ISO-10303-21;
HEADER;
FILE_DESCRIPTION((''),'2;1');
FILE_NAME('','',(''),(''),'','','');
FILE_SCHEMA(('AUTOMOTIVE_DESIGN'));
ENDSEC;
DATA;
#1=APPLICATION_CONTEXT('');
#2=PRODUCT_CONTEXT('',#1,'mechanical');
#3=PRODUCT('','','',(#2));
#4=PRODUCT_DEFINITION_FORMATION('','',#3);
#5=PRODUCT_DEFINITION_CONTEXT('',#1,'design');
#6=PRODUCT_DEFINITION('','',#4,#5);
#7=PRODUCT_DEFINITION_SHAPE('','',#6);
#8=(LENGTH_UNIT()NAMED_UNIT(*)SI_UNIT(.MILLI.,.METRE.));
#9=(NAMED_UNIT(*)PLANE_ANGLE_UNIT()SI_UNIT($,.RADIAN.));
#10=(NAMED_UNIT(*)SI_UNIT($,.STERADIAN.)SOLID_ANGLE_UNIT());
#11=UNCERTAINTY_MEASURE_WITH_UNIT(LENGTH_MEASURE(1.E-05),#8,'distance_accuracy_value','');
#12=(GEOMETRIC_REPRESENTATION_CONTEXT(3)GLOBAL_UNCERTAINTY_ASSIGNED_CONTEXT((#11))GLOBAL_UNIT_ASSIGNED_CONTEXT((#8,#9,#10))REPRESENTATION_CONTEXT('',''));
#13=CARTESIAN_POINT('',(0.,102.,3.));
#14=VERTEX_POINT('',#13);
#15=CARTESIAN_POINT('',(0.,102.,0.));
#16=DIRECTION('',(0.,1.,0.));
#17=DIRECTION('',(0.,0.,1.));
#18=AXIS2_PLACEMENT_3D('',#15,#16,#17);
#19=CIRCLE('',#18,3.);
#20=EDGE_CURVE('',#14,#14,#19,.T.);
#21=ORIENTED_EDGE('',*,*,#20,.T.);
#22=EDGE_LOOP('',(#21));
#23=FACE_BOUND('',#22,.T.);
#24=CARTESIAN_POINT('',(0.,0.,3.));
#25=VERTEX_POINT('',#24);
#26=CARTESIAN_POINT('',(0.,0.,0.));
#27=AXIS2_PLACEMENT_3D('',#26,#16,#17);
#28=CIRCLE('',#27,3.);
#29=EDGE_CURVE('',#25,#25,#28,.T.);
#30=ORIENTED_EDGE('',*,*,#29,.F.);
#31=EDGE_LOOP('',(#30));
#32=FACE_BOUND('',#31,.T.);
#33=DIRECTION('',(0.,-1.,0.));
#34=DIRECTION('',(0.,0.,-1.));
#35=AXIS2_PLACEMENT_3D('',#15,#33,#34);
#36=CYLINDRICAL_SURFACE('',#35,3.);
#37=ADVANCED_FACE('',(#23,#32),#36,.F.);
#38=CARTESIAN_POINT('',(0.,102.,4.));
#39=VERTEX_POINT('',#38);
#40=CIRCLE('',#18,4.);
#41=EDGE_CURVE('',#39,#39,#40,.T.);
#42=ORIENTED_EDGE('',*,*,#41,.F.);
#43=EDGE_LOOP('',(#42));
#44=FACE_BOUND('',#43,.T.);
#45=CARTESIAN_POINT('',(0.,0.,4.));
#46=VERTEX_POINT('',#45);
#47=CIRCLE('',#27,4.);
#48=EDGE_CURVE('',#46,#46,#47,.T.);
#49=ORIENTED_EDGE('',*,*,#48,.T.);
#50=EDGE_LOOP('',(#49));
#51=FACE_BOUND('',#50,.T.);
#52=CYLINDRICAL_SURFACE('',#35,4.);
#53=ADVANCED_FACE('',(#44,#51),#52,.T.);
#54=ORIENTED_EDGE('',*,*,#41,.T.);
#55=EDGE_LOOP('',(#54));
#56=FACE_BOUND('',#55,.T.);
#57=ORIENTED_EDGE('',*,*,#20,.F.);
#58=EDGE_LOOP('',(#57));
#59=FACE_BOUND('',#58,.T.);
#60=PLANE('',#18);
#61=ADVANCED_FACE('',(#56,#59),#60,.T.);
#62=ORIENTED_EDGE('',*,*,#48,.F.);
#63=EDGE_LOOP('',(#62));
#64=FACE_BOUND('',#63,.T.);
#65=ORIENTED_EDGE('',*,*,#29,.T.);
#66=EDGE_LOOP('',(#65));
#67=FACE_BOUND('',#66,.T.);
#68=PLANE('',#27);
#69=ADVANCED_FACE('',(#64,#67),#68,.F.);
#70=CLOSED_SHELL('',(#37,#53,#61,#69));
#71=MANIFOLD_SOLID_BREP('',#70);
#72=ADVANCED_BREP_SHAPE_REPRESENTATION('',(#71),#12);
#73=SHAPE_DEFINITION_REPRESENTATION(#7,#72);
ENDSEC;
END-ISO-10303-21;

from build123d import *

# Parameters (mm, degrees)
SKETCH_1_R      = 4
SKETCH_1_R_2    = 3
EXTRUDE_1_DEPTH = 102


with BuildPart() as part:
    # Эскиз1 → Бобышка-Вытянуть1 (new body)
    with BuildSketch(Plane(origin=(0, 0, 0), x_dir=(1, 0, 0), z_dir=(0, 1, 0))):
        with Locations(Location((0, 0, 0), (0, 0, 270))):
            Circle(SKETCH_1_R)
        with Locations(Location((0, 0, 0), (0, 0, 270))):
            Circle(SKETCH_1_R_2, mode=Mode.SUBTRACT)
    extrude(amount=EXTRUDE_1_DEPTH)


solid = part.part
